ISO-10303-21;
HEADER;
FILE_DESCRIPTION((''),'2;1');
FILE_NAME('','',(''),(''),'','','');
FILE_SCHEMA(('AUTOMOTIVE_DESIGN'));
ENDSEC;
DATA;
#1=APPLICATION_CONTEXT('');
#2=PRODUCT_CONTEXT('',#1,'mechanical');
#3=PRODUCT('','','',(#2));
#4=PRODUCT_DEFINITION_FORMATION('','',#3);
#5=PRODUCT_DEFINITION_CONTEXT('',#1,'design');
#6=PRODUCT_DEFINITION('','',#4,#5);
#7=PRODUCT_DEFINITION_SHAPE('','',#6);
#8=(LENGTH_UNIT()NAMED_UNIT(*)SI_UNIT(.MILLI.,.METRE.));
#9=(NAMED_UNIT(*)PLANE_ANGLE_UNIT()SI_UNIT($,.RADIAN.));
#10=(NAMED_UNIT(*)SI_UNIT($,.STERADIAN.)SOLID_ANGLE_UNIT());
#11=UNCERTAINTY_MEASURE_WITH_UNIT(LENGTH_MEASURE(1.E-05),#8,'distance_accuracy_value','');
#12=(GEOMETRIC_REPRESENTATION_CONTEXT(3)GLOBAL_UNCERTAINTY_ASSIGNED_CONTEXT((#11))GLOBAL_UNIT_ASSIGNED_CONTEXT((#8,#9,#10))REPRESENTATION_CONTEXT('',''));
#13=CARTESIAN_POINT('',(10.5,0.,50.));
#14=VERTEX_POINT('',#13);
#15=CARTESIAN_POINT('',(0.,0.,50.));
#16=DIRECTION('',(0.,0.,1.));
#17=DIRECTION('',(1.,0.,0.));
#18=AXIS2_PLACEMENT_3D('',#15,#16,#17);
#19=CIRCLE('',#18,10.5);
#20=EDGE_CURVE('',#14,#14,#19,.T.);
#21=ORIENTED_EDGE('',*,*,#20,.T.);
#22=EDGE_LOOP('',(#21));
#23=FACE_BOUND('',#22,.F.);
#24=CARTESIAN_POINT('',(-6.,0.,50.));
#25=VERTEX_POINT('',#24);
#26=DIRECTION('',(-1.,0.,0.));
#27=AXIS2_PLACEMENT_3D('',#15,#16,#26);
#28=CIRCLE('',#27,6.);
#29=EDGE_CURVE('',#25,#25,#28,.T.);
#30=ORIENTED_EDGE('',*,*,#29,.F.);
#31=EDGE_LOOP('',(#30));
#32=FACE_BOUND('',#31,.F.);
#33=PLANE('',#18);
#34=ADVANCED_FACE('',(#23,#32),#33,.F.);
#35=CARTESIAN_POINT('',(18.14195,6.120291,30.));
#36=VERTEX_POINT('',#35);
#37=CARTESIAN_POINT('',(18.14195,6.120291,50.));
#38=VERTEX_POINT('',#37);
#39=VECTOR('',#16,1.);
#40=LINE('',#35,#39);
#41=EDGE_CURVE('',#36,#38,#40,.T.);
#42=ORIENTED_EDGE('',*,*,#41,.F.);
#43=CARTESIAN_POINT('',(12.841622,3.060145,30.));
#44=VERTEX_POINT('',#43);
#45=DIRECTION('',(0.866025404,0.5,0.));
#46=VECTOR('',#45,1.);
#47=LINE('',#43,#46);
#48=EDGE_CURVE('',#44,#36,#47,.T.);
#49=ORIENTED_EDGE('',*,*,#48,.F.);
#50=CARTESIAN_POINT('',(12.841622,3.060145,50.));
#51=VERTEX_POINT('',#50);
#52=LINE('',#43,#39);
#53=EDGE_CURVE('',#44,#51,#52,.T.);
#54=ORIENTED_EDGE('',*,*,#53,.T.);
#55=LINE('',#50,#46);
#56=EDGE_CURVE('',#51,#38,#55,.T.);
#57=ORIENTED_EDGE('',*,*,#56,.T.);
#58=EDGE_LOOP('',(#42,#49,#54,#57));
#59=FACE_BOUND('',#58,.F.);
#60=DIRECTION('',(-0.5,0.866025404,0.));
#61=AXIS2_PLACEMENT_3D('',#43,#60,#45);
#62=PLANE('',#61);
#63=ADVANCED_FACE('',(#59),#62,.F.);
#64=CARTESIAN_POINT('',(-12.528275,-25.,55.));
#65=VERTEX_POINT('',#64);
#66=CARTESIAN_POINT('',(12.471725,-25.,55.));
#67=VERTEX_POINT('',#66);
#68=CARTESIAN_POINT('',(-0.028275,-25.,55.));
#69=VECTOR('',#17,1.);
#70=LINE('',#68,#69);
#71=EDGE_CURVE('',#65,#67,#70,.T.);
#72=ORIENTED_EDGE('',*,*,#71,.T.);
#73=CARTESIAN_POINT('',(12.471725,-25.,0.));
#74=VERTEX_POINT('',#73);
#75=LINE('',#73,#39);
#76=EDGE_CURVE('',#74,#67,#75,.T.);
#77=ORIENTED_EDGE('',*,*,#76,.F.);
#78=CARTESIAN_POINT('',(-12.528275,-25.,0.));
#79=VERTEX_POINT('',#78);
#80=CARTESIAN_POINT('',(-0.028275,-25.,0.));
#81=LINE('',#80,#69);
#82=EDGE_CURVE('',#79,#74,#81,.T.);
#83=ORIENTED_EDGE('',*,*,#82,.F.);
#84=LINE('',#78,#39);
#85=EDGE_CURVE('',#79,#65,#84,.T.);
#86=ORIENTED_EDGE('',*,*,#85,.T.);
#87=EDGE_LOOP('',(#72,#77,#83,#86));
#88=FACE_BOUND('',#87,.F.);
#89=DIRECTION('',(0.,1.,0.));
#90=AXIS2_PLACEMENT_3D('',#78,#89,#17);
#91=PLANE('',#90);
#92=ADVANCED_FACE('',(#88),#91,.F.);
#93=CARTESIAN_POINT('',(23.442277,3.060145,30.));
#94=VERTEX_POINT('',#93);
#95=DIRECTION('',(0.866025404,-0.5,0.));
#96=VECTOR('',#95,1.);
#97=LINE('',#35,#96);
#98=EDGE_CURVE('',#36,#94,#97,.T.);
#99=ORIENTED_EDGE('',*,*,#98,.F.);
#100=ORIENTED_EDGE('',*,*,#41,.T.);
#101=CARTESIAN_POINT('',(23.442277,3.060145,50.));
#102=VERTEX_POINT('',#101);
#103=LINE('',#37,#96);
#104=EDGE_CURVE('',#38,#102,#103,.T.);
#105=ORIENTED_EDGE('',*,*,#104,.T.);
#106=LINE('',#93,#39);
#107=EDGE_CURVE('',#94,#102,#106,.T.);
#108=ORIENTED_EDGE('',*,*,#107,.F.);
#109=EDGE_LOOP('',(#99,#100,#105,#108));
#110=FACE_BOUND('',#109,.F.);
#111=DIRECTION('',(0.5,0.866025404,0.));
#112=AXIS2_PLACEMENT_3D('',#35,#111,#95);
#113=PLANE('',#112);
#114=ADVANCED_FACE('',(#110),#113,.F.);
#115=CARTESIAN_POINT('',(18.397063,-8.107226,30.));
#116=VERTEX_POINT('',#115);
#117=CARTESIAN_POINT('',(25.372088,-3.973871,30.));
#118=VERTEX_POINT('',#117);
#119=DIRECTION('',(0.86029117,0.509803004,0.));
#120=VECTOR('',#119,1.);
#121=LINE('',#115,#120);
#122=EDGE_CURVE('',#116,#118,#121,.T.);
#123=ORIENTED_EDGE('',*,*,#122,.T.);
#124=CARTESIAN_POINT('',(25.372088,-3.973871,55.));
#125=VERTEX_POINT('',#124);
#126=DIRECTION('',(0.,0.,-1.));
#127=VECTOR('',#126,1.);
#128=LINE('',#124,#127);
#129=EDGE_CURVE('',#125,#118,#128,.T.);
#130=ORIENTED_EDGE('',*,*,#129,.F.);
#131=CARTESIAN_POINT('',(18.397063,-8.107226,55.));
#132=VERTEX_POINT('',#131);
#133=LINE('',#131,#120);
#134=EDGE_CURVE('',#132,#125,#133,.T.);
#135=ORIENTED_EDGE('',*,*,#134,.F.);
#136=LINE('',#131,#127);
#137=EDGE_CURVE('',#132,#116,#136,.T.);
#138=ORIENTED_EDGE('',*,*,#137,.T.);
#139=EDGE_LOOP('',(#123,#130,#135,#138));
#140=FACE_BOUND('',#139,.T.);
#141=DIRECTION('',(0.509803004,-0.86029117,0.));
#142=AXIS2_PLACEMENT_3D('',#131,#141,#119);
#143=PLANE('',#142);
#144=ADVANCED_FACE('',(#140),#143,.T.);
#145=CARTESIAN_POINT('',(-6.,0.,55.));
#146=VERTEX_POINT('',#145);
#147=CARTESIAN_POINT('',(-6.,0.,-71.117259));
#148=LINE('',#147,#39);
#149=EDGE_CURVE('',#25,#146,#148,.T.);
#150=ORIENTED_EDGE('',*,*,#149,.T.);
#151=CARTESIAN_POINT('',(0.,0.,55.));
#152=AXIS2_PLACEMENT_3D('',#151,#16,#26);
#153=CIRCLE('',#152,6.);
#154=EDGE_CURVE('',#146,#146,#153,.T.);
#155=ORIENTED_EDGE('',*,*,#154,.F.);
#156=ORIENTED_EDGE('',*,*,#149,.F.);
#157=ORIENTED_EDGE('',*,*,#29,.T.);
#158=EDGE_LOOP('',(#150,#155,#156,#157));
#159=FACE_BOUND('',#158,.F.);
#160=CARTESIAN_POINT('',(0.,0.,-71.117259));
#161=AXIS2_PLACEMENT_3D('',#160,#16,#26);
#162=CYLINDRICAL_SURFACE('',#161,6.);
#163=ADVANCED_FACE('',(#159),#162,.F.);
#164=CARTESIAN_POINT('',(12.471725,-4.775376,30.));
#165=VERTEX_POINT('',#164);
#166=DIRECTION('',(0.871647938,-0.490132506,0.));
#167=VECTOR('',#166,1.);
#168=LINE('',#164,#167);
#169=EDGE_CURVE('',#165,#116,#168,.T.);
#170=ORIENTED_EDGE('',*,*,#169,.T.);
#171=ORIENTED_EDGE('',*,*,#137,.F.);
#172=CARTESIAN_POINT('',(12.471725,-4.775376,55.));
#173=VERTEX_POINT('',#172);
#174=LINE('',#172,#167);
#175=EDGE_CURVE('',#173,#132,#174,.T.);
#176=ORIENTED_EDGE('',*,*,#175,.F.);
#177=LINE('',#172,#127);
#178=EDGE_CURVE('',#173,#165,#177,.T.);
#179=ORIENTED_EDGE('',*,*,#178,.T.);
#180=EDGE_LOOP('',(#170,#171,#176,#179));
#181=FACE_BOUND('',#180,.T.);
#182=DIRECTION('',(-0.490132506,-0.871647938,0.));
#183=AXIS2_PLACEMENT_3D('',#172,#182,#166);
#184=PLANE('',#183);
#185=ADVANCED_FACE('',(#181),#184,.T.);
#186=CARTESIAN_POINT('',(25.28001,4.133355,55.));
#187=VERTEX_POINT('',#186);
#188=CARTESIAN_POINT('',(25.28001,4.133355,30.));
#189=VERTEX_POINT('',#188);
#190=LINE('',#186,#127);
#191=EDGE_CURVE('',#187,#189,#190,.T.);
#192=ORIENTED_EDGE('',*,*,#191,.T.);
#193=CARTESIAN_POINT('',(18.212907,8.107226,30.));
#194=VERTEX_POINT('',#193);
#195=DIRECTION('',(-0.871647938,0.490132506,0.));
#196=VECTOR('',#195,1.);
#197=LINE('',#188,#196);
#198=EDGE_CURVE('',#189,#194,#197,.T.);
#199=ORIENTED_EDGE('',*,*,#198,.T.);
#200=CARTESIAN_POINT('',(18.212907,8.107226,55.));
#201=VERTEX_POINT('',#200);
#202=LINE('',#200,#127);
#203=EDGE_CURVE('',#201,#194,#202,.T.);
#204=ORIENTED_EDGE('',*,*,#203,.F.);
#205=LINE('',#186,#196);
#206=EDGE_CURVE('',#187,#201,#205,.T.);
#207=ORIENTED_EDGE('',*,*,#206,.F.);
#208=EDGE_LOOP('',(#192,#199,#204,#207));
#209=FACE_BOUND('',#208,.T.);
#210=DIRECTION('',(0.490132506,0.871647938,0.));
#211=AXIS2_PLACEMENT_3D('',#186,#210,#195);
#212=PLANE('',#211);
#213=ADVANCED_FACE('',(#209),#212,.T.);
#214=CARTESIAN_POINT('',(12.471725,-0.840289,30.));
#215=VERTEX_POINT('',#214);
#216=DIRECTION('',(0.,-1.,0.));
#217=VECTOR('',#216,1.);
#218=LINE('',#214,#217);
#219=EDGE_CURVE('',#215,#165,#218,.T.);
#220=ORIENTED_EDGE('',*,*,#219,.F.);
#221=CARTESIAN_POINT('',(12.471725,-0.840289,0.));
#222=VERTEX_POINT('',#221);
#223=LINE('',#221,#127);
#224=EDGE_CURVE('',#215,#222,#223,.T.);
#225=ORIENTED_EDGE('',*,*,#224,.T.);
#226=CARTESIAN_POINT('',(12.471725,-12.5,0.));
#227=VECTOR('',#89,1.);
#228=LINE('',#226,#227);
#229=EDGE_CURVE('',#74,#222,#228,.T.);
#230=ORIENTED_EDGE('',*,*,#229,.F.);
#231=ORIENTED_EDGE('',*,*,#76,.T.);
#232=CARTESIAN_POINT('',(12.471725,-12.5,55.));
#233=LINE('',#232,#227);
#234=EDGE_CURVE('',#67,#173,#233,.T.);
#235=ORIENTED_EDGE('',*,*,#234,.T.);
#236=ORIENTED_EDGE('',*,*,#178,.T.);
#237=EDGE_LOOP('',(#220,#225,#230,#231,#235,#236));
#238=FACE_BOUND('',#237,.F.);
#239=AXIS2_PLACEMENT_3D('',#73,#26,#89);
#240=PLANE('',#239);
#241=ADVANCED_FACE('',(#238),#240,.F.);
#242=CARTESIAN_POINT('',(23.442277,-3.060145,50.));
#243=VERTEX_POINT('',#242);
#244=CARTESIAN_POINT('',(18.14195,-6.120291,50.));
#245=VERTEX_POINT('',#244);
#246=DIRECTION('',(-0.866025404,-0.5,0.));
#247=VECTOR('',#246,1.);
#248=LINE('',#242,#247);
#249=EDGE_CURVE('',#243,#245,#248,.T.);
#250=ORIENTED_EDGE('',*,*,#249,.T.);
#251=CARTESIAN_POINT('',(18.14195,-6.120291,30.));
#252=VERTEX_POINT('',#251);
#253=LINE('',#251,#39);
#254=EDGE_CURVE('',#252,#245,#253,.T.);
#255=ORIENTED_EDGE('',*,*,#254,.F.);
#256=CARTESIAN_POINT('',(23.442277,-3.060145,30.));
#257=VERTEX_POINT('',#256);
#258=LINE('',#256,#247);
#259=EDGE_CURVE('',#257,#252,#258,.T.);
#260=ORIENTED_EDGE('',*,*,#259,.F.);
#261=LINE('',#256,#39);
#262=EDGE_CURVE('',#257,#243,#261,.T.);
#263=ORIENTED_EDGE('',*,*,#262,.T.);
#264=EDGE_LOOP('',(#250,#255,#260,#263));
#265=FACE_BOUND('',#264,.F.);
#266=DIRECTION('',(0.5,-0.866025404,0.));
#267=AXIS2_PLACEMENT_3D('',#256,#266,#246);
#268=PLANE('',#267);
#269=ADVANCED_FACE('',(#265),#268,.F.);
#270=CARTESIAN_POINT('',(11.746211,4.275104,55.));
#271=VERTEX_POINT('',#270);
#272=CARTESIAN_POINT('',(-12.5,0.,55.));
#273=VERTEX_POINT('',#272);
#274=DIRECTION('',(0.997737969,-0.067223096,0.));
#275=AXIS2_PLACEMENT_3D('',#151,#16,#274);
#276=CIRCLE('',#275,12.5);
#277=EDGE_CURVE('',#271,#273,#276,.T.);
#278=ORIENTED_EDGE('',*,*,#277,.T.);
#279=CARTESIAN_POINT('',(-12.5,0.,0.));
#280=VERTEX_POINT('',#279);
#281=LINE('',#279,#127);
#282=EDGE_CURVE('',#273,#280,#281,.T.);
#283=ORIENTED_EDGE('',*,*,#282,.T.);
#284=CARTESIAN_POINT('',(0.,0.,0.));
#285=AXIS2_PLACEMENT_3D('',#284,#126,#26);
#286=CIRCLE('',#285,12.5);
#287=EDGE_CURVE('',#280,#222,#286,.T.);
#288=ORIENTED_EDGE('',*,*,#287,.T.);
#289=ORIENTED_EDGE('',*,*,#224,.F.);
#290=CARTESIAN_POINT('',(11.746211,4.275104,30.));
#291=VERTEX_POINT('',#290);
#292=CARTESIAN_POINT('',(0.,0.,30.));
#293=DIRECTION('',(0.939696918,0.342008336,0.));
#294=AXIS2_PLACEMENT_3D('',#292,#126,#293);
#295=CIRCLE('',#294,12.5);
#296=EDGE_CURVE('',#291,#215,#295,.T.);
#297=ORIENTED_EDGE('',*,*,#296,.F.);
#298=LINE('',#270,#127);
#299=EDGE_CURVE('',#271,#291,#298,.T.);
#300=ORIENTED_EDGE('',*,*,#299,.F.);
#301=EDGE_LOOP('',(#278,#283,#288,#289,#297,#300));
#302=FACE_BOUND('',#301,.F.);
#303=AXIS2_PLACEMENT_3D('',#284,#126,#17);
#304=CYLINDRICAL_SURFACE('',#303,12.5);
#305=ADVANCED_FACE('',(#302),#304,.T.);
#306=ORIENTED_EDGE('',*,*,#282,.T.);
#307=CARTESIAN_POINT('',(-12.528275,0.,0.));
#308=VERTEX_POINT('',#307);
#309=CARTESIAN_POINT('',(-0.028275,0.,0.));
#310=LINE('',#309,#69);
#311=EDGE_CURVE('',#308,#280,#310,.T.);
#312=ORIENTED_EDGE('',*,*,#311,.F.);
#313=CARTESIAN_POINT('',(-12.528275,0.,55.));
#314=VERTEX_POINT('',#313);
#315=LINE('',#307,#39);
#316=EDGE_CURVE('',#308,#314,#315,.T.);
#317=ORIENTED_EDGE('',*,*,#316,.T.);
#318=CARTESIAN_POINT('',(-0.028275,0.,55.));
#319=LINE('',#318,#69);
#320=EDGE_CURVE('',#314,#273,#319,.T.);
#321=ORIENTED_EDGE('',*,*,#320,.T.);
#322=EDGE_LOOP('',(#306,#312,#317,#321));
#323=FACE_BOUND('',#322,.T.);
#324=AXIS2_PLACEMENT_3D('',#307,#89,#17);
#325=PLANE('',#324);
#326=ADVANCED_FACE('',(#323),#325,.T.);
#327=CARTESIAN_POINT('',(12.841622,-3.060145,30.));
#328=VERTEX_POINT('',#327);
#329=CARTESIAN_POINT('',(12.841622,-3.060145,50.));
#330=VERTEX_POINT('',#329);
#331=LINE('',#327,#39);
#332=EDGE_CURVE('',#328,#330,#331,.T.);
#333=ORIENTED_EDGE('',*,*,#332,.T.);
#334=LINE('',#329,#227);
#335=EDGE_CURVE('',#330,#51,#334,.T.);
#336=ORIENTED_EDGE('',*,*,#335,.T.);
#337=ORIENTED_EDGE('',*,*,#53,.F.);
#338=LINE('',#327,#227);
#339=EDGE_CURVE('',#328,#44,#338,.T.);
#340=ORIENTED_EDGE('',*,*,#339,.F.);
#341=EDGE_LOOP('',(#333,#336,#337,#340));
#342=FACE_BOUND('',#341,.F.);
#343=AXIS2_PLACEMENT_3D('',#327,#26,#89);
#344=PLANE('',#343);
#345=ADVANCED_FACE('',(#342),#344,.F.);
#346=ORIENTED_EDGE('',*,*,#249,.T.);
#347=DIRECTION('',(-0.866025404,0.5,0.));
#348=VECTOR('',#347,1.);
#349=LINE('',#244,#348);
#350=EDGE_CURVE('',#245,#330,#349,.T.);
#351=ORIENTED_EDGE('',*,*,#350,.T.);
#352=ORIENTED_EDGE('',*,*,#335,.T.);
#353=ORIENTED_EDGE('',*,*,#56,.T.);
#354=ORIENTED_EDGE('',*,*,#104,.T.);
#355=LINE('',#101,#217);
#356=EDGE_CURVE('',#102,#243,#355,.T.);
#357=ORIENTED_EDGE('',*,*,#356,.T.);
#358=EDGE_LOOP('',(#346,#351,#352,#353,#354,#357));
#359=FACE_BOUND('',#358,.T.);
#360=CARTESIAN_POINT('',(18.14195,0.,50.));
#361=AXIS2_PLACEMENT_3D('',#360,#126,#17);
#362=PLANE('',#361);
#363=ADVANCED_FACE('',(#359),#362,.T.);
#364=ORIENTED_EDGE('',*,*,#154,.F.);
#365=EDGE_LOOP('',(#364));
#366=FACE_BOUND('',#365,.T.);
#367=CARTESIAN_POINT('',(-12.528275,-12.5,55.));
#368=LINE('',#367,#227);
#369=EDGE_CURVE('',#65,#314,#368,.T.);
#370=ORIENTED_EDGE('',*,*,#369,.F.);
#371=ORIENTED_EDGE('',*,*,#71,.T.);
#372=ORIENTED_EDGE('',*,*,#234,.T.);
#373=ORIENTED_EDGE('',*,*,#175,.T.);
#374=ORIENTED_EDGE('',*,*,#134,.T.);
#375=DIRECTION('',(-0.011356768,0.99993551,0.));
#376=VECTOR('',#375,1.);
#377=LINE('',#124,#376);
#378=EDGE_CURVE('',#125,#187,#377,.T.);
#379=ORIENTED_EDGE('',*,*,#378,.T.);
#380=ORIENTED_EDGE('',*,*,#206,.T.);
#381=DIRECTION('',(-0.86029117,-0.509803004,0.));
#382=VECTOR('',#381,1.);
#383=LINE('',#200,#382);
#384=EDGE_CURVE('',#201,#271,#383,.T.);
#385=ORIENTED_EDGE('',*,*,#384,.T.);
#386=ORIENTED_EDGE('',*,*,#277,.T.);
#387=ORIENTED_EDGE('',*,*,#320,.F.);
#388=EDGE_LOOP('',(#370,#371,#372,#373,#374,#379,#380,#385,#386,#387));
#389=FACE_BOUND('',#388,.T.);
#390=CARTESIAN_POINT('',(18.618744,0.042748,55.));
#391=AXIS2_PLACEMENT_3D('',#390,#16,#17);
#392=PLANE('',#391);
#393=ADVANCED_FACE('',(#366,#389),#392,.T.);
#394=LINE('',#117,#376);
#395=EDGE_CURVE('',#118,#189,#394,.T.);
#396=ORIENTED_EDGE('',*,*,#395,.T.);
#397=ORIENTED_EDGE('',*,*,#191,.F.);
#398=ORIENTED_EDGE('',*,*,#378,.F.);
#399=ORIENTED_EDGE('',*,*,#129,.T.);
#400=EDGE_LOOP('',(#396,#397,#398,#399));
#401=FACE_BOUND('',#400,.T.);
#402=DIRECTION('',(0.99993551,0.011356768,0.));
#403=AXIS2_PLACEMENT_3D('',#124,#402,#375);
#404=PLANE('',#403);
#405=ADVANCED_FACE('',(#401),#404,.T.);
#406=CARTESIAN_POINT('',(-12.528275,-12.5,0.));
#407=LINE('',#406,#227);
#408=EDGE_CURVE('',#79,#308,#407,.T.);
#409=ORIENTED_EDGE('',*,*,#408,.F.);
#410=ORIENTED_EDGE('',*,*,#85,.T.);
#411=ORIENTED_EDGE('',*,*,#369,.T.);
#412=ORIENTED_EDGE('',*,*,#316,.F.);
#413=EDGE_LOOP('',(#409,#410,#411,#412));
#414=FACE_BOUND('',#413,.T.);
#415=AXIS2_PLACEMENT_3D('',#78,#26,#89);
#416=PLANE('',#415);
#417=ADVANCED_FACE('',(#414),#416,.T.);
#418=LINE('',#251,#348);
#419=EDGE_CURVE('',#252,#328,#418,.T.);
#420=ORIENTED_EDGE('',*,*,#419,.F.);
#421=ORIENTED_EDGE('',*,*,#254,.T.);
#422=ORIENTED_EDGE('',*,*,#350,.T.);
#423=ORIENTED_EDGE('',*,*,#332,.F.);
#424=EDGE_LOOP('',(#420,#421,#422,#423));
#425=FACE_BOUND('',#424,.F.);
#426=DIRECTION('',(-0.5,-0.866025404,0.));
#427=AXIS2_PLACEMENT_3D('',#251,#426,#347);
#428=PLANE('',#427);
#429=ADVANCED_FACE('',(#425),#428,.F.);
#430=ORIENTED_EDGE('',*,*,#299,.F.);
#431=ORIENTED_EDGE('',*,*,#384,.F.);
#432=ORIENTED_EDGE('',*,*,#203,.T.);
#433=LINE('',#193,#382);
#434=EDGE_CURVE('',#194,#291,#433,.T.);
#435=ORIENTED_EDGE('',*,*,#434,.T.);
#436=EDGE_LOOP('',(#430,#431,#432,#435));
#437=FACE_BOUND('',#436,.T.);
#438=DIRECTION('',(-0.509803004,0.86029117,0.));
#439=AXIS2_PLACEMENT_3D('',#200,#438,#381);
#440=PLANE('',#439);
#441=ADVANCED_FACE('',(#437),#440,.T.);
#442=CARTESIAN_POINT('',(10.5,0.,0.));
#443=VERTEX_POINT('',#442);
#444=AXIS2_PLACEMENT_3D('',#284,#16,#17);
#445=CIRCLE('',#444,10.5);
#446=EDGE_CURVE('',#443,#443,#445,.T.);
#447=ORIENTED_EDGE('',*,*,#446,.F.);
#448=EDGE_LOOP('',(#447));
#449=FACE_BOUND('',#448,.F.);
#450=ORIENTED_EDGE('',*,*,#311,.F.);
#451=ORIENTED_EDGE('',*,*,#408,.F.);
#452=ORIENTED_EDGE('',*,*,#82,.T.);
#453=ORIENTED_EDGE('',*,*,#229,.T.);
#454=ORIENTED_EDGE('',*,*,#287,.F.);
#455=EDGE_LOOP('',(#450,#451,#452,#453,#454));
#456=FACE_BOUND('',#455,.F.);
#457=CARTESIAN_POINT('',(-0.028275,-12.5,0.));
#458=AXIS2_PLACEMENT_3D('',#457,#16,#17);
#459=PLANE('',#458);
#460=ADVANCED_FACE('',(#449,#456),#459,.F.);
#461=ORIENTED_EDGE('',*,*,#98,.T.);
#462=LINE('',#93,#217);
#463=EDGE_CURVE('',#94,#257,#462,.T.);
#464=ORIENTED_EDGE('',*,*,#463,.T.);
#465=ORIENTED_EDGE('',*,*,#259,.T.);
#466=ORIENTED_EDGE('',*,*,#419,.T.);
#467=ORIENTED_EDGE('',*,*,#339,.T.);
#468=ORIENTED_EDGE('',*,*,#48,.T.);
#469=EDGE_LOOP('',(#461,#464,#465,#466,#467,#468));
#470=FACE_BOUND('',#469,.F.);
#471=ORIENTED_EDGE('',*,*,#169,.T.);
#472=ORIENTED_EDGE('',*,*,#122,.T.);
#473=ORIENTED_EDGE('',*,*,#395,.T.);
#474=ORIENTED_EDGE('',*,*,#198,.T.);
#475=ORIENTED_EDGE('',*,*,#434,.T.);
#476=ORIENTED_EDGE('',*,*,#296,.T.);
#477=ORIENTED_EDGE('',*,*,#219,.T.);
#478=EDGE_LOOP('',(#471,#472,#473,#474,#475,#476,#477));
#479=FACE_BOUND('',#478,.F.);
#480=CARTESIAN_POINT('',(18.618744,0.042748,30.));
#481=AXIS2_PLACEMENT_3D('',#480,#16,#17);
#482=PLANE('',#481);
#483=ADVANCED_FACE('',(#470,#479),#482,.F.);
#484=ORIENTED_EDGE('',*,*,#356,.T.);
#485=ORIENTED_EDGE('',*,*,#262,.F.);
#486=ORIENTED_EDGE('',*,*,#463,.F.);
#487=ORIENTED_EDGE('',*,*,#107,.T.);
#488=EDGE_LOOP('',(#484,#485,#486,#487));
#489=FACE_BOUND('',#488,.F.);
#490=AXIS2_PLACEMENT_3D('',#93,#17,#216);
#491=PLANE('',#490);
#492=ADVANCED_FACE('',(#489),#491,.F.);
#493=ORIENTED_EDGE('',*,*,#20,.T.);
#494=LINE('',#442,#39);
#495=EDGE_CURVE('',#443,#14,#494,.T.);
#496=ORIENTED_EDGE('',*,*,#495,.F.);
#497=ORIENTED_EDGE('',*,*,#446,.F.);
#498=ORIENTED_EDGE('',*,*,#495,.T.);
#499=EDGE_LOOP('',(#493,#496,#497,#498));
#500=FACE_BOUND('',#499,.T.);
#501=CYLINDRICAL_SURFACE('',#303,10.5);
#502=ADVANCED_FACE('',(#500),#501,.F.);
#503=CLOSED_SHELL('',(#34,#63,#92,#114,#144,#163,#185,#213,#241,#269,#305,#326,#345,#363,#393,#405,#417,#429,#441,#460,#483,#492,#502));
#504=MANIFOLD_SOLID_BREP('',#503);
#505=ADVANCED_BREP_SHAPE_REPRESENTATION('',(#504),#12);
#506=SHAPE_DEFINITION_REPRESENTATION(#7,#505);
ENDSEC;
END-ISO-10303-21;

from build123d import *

# Parameters (mm, degrees)
F7_R     = 12.5
F0_DEPTH = 55
F1_W     = 25
F1_H     = 25
F8_DEPTH = 55
F2_D     = 12
F10_R    = 10.5
F3_DEPTH = 50
F5_DEPTH = 25
F6_DEPTH = 20


with BuildPart() as f0:
    # F7 (on Top) → F0 (new body)
    with BuildSketch(Plane.XY):
        Circle(F7_R)
    extrude(amount=F0_DEPTH)

    # F1 (on Top) → F8 (join)
    with BuildSketch(Plane.XY):
        with Locations((-0.0282753837, -12.5)):
            Rectangle(F1_W, F1_H)
    extrude(amount=F8_DEPTH)

    # F2 (through all)
    with Locations(Plane(origin=(0, 0, 0), x_dir=(1, 0, 0), z_dir=(0, 0, -1))):
        with Locations((0, 0)):
            Hole(F2_D / 2)

    # F10 (on Top) → F3 (cut)
    with BuildSketch(Plane.XY):
        Circle(F10_R)
    extrude(amount=F3_DEPTH, mode=Mode.SUBTRACT)

    # F11 (on face) → F5 (join)
    with BuildSketch(Plane.XY.offset(55)):
        with BuildLine():
            Line((12.4717246163, -4.7753756192), (18.3970628421, -8.107226411))
            Line((18.3970628421, -8.107226411), (25.3720879555, -3.9738714695))
            Line((25.3720879555, -3.9738714695), (25.28001013, 4.1333549415))
            Line((25.28001013, 4.1333549415), (18.2129071911, 8.107226411))
            Line((18.2129071911, 8.107226411), (11.7462114787, 4.2751041973))
            ThreePointArc((11.7462114787, 4.2751041973), (12.3761431106, 1.7553010303), (12.4717246163, -0.8402886979))
            Line((12.4717246163, -0.8402886979), (12.4717246163, -4.7753756192))
        make_face()
    extrude(amount=-F5_DEPTH)

    # F12 (on face) → F6 (cut)
    with BuildSketch(Plane(origin=(0, 0, 30), x_dir=(1, 0, 0), z_dir=(0, 0, -1))):
        Polygon((12.8416223451, -3.0601453381), (18.1419495493, -6.1202906762), (23.4422767535, -3.0601453381), (23.4422767535, 3.0601453381), (18.1419495493, 6.1202906762), (12.8416223451, 3.0601453381), align=None)
    extrude(amount=-F6_DEPTH, mode=Mode.SUBTRACT)


solid = f0.part
